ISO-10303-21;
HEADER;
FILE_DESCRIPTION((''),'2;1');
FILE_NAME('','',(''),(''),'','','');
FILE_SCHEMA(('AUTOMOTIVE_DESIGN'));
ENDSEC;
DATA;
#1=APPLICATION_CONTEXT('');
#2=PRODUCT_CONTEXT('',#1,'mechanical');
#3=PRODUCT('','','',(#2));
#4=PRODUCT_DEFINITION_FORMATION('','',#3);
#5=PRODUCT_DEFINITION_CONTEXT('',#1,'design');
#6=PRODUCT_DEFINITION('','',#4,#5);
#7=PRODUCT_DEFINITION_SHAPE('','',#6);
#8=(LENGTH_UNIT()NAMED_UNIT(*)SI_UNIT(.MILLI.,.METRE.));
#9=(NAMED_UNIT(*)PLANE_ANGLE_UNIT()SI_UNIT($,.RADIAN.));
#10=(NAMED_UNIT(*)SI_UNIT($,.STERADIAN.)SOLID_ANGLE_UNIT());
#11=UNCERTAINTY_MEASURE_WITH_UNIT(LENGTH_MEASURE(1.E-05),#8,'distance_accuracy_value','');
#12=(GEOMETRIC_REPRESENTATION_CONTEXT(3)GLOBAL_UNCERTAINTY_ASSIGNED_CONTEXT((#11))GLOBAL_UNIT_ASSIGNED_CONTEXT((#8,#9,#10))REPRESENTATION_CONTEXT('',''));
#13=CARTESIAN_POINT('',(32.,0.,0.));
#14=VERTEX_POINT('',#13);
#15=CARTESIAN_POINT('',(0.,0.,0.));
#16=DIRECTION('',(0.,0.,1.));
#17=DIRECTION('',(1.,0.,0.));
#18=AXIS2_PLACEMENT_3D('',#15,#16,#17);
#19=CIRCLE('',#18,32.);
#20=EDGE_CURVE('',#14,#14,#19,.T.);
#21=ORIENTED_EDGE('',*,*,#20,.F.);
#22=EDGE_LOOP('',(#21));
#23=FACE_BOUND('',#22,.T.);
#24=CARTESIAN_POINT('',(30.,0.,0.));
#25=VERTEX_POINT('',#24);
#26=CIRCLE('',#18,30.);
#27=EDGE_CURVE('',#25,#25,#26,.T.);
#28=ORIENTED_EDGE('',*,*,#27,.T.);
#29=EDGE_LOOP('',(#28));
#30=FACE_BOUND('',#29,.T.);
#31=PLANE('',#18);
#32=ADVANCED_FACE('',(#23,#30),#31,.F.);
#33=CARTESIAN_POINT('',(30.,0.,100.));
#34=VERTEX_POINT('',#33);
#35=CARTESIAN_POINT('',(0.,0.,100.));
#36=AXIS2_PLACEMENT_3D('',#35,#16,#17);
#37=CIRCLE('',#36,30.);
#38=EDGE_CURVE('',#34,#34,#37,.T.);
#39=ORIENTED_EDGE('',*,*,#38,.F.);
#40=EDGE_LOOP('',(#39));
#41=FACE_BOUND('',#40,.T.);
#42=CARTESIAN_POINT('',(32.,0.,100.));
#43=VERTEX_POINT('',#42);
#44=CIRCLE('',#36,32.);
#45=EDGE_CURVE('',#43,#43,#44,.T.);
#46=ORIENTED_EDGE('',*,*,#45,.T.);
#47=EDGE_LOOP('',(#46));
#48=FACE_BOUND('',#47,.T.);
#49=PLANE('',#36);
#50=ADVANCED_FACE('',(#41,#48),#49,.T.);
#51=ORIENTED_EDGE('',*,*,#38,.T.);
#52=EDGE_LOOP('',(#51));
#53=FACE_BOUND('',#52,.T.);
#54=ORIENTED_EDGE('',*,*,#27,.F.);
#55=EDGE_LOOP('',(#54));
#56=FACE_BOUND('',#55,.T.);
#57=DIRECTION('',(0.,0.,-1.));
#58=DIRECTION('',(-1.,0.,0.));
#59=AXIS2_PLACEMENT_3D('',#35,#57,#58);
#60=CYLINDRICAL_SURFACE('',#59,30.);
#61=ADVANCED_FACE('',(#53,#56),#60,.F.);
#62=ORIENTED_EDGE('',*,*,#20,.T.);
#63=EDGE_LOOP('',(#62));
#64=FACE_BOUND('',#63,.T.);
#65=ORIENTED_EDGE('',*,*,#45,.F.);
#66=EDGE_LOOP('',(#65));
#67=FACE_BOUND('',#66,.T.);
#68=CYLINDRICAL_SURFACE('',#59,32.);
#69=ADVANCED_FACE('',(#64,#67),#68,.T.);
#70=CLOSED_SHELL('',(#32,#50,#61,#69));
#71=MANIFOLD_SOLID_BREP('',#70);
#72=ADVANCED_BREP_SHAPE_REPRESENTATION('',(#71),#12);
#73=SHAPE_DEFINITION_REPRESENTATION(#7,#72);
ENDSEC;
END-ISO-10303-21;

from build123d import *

# Parameters (mm, degrees)
SKETCH_1_R      = 32
SKETCH_1_R_2    = 30
EXTRUDE_1_DEPTH = 100


with BuildPart() as part:
    # 草图1 → 拉伸-薄壁1 (new body)
    with BuildSketch(Plane.XY):
        Circle(SKETCH_1_R)
        Circle(SKETCH_1_R_2, mode=Mode.SUBTRACT)
    extrude(amount=EXTRUDE_1_DEPTH)


solid = part.part
